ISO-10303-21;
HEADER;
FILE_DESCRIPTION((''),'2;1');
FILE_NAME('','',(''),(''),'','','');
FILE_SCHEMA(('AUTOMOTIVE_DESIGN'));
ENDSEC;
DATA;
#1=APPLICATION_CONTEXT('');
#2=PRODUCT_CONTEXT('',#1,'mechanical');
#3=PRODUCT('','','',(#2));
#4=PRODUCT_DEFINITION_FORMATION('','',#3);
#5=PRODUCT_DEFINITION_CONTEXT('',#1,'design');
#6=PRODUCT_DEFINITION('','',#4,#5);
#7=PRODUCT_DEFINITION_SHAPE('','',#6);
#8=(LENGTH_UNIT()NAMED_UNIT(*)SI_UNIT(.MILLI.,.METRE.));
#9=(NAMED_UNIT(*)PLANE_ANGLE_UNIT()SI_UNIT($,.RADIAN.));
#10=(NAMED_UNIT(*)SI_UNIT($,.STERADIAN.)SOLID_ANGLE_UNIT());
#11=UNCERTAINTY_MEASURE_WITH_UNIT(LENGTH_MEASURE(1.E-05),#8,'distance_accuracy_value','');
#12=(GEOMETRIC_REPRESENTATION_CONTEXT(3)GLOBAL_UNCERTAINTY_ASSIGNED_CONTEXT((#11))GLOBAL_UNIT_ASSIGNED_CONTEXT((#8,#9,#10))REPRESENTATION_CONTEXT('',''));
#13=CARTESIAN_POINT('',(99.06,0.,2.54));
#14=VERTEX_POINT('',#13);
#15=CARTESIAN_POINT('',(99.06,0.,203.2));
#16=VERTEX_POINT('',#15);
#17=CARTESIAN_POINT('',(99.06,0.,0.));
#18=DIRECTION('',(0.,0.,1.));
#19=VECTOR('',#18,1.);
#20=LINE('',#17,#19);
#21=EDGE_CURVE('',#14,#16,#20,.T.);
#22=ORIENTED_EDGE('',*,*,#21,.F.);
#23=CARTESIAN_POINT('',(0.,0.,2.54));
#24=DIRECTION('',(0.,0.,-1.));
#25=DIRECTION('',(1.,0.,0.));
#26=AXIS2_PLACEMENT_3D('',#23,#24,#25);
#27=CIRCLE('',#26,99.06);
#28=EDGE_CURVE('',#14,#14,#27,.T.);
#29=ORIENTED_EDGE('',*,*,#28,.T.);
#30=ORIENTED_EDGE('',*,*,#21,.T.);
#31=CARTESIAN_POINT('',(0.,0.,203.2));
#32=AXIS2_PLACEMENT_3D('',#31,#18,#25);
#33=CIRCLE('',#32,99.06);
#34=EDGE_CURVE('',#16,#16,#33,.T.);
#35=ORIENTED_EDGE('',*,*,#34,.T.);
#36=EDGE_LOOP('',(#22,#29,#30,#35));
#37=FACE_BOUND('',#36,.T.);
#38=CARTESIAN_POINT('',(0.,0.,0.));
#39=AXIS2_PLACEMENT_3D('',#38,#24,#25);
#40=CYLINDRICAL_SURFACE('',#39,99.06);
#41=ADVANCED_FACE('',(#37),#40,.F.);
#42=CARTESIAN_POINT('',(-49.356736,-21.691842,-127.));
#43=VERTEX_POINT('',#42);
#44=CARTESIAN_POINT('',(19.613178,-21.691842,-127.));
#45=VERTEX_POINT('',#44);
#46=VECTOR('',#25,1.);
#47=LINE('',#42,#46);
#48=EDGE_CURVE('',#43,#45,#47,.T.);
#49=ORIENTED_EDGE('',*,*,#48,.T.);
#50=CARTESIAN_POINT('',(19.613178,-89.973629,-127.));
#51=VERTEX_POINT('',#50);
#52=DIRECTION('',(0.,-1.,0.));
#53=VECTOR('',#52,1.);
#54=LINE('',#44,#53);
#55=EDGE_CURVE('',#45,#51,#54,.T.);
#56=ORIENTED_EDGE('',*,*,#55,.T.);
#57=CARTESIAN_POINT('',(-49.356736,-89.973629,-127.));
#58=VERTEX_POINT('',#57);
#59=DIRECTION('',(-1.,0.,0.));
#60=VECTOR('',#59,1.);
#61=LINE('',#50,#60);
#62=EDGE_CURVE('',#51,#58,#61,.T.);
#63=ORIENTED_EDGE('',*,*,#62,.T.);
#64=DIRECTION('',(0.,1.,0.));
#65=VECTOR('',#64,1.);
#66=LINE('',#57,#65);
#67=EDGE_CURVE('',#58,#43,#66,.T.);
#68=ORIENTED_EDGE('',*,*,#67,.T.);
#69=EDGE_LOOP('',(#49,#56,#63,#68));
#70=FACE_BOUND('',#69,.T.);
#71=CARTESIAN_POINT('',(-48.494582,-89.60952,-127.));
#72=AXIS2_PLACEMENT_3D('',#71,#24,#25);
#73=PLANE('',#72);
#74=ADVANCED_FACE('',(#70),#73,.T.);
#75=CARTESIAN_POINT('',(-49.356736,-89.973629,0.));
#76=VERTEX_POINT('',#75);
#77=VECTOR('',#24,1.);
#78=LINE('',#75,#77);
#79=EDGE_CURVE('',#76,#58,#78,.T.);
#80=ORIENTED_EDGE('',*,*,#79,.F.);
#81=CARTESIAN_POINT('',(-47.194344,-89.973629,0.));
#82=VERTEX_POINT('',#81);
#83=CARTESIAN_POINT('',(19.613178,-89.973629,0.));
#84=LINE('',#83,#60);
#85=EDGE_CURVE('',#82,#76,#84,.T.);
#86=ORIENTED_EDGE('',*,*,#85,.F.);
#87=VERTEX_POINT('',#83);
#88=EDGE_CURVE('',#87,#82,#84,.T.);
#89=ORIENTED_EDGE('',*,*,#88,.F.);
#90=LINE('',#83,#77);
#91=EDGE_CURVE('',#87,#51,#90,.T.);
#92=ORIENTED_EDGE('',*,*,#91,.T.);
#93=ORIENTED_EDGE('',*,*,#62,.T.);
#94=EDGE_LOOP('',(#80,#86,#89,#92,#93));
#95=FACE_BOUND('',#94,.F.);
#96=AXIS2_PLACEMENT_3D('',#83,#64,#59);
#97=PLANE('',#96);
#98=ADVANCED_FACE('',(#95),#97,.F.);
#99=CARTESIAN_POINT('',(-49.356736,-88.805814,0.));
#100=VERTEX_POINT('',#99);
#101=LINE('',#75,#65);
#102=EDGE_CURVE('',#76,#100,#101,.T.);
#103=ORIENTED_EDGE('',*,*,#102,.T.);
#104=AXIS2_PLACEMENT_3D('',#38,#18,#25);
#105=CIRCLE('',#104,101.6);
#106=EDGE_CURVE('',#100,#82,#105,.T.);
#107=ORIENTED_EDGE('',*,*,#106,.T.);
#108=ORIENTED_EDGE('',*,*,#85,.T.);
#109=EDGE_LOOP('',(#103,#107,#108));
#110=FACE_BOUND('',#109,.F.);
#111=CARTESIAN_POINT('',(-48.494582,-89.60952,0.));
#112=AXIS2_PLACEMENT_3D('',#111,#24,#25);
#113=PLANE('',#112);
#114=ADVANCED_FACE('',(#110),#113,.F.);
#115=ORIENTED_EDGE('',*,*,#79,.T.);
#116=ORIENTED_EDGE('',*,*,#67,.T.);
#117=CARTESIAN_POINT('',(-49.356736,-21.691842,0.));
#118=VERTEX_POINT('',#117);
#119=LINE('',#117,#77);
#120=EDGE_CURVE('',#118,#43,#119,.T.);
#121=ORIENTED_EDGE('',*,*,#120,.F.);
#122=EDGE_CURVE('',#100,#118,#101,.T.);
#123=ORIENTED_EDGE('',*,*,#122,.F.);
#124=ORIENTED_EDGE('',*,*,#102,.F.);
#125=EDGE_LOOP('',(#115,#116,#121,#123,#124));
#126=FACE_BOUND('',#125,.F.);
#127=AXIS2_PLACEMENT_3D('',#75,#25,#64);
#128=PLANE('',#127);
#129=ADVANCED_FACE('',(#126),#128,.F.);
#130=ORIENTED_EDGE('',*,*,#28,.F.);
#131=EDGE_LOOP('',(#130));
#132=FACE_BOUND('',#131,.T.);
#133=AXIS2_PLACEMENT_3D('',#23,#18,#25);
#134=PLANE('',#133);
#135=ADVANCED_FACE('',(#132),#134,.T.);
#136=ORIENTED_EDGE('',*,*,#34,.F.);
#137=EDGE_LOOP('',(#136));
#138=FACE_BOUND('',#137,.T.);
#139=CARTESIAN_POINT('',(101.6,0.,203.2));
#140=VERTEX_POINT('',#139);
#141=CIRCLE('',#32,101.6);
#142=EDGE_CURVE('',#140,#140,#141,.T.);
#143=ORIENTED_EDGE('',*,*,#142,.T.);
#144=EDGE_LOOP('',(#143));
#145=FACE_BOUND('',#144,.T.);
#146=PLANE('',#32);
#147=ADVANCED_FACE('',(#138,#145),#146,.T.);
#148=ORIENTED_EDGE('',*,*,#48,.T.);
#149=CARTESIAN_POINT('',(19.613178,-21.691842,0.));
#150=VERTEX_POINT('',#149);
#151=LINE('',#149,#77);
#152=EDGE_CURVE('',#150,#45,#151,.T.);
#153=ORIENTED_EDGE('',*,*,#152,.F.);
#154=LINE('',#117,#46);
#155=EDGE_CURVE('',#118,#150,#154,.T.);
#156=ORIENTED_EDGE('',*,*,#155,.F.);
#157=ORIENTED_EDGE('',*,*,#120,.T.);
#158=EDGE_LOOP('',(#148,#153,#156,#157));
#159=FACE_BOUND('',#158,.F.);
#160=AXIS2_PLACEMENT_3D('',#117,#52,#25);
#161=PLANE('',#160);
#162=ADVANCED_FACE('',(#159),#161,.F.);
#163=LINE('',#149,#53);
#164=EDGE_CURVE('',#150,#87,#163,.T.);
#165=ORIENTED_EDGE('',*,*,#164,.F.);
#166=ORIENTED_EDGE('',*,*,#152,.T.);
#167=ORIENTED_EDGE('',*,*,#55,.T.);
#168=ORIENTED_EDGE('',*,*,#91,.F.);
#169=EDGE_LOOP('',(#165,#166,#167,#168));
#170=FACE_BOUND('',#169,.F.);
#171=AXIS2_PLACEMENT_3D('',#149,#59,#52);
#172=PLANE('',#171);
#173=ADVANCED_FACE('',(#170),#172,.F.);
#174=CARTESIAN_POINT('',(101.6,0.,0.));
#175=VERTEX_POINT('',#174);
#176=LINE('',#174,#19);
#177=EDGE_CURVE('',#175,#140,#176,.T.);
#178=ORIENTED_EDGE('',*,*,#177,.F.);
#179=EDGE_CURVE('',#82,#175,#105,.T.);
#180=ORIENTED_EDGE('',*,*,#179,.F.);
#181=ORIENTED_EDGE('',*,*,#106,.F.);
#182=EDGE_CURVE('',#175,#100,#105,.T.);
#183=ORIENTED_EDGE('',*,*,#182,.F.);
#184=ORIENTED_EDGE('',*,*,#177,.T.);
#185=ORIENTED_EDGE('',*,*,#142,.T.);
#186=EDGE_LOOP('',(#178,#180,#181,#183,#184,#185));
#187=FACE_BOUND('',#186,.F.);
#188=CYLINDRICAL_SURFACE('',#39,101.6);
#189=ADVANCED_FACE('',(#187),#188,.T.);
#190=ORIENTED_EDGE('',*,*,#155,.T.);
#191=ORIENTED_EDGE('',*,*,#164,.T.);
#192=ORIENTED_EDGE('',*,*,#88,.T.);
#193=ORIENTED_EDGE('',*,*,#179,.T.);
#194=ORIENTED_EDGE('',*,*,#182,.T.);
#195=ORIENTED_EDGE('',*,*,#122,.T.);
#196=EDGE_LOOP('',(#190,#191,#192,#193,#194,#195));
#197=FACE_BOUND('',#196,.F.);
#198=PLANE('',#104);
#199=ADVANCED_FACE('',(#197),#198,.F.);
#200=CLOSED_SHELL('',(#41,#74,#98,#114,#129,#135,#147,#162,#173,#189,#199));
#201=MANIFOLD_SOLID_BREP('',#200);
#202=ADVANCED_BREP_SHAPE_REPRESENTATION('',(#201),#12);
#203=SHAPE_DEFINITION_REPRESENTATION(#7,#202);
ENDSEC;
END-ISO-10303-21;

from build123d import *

# Parameters (mm, degrees)
F0_R     = 101.6
F1_DEPTH = 203.2
F2_T     = -2.54
F4_DEPTH = 127


with BuildPart() as f1:
    # F0 (on Top) → F1 (new body)
    with BuildSketch(Plane.XY):
        Circle(F0_R)
    extrude(amount=F1_DEPTH)

    # F2
    f2_openings = [f1.faces().sort_by_distance(p)[0] for p in [
        (0, 0, 203.2),
    ]]
    offset(amount=F2_T, openings=f2_openings)

    # F3 (on face) → F4 (join)
    with BuildSketch(Plane(origin=(0, 0, 0), x_dir=(1, 0, 0), z_dir=(0, 0, -1))):
        with BuildLine():
            ThreePointArc((-49.356736, 88.805814), (-48.279072, 89.39626), (-47.194345, 89.973629))
            Line((-47.194345, 89.973629), (-49.356736, 89.973629))
            Line((-49.356736, 89.973629), (-49.356736, 88.805814))
        make_face()
        with BuildLine():
            Line((19.613178, 21.691842), (19.613178, 89.973629))
            Line((19.613178, 89.973629), (-47.194345, 89.973629))
            ThreePointArc((-47.194345, 89.973629), (-48.279072, 89.39626), (-49.356736, 88.805814))
            Line((-49.356736, 88.805814), (-49.356736, 21.691842))
            Line((-49.356736, 21.691842), (19.613178, 21.691842))
        make_face()
    extrude(amount=F4_DEPTH)


solid = f1.part
